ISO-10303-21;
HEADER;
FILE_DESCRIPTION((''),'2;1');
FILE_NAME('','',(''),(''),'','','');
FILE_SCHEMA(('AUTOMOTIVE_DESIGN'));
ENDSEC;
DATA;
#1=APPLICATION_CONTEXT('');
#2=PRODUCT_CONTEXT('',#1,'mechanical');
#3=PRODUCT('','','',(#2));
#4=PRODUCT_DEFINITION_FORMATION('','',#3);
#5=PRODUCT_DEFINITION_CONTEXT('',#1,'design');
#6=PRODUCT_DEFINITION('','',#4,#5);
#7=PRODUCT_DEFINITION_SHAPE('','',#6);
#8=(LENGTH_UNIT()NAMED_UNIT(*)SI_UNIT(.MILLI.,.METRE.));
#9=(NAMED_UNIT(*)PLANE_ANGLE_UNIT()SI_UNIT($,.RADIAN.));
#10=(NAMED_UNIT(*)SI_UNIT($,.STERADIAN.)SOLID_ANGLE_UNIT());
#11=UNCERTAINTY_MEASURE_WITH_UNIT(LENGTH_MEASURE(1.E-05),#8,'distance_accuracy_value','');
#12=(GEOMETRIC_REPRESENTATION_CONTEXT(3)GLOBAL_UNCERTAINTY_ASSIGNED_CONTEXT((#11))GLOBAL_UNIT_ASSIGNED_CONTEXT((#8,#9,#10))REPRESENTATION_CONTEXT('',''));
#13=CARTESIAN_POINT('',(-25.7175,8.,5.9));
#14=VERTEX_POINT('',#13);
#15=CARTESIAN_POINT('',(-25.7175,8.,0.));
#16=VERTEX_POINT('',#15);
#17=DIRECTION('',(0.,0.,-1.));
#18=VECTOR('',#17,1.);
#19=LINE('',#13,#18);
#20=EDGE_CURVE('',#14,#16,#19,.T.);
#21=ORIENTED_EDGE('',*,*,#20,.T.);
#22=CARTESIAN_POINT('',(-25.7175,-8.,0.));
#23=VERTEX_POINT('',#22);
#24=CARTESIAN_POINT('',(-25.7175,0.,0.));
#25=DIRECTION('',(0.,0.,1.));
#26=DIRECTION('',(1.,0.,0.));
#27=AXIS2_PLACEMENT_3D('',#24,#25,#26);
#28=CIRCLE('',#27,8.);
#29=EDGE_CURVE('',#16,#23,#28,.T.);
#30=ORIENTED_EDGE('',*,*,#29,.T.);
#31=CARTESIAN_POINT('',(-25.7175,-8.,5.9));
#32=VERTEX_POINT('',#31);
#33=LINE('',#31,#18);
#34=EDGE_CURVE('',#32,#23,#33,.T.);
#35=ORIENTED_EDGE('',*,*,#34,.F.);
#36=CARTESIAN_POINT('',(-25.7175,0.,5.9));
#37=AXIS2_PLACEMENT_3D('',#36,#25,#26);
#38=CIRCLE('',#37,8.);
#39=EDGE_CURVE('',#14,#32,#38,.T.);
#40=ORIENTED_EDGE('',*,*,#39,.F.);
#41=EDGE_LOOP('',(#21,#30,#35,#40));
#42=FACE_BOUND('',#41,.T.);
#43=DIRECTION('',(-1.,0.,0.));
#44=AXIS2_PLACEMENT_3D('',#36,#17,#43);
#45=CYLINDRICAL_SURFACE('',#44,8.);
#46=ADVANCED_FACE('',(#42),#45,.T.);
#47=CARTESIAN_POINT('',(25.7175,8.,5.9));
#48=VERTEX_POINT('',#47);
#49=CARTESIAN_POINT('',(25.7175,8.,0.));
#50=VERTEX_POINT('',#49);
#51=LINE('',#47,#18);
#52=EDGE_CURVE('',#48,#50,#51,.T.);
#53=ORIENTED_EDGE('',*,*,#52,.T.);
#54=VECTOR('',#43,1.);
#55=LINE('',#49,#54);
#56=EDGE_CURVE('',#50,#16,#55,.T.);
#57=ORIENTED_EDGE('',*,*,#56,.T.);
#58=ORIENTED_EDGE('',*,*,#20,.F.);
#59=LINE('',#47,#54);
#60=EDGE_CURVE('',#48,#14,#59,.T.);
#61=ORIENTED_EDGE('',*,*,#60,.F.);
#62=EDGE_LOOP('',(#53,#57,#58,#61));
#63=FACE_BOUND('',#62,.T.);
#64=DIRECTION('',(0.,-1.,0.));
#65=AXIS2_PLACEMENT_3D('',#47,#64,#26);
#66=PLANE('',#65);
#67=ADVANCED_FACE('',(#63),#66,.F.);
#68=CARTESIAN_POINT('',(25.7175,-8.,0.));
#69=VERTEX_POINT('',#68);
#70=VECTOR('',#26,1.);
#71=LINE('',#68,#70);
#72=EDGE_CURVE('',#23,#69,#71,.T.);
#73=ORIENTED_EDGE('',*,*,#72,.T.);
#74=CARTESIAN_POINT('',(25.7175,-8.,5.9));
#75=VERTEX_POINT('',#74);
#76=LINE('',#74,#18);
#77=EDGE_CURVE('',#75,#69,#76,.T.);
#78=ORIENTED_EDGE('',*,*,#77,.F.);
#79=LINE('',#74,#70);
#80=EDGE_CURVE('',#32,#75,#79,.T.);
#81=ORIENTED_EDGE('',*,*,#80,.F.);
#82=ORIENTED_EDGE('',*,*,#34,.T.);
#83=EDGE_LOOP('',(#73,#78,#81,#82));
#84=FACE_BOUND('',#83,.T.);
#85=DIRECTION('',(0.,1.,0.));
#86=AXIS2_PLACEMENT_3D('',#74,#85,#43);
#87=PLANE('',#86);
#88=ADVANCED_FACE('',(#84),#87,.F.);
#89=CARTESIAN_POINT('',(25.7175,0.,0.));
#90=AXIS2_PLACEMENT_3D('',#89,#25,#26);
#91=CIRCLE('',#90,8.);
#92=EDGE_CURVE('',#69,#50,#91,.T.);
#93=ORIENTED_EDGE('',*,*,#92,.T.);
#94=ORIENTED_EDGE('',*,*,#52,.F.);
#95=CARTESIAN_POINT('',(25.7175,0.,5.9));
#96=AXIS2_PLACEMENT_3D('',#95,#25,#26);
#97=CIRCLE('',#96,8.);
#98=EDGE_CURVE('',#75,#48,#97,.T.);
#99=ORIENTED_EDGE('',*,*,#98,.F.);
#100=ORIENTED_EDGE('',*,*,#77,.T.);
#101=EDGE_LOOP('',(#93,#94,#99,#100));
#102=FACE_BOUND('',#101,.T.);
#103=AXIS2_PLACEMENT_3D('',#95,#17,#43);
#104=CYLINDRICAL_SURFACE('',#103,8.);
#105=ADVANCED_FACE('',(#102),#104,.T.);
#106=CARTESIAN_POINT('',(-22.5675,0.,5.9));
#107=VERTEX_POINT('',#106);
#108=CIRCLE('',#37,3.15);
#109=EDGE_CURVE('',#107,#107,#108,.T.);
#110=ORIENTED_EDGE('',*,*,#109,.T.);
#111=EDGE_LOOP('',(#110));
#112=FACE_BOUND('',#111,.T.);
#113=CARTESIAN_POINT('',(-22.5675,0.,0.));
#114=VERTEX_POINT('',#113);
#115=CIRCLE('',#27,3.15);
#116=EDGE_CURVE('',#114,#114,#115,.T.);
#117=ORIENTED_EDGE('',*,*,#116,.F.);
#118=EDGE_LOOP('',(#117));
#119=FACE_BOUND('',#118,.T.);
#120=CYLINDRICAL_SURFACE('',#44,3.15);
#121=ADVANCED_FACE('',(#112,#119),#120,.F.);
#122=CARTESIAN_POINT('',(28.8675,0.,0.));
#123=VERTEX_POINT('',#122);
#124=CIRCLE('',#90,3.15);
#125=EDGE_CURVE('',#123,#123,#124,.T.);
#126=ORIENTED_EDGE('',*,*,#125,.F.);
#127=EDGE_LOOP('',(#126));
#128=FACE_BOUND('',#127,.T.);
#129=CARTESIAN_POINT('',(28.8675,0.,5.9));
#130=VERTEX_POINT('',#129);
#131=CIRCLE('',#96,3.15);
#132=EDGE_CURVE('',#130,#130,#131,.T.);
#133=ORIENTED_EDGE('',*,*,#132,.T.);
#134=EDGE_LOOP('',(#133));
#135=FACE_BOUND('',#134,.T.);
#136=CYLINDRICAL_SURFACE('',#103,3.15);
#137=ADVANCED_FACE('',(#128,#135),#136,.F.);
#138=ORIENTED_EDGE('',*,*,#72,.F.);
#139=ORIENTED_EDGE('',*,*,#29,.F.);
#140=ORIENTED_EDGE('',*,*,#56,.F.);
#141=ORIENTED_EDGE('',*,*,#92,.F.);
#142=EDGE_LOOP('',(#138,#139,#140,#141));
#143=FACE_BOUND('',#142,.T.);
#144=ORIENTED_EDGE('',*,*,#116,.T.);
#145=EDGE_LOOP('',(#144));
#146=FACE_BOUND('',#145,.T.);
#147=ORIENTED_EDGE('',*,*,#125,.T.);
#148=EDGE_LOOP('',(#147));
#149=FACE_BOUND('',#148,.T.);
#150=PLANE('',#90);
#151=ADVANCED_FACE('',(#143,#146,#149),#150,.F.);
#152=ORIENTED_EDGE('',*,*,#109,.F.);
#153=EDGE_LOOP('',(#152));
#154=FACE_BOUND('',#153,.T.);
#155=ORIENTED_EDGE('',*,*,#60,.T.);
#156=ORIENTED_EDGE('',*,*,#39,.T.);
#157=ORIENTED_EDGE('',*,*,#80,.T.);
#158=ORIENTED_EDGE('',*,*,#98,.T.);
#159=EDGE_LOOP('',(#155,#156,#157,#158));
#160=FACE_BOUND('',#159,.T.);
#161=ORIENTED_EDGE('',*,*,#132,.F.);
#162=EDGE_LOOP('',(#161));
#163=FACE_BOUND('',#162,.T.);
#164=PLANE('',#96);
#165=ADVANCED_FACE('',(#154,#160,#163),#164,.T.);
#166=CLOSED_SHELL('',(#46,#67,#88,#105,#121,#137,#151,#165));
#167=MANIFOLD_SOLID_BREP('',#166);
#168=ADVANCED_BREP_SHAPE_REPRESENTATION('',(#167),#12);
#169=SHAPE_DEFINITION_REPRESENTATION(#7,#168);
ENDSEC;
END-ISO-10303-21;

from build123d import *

# Parameters (mm, degrees)
SKETCH1_R           = 3.15
BOSS_EXTRUDE1_DEPTH = 5.9


with BuildPart() as part:
    # Sketch1 → Boss-Extrude1 (new body)
    with BuildSketch(Plane.XY):
        with BuildLine():
            Line((25.7175, -8), (-25.7175, -8))
            ThreePointArc((-25.7175, -8), (-33.7175, 0), (-25.7175, 8))
            Line((-25.7175, 8), (25.7175, 8))
            ThreePointArc((25.7175, 8), (33.7175, 0), (25.7175, -8))
        make_face()
        with Locations((25.7175, 0)):
            Circle(SKETCH1_R, mode=Mode.SUBTRACT)
        with Locations((-25.7175, 0)):
            Circle(SKETCH1_R, mode=Mode.SUBTRACT)
    extrude(amount=BOSS_EXTRUDE1_DEPTH)


solid = part.part
